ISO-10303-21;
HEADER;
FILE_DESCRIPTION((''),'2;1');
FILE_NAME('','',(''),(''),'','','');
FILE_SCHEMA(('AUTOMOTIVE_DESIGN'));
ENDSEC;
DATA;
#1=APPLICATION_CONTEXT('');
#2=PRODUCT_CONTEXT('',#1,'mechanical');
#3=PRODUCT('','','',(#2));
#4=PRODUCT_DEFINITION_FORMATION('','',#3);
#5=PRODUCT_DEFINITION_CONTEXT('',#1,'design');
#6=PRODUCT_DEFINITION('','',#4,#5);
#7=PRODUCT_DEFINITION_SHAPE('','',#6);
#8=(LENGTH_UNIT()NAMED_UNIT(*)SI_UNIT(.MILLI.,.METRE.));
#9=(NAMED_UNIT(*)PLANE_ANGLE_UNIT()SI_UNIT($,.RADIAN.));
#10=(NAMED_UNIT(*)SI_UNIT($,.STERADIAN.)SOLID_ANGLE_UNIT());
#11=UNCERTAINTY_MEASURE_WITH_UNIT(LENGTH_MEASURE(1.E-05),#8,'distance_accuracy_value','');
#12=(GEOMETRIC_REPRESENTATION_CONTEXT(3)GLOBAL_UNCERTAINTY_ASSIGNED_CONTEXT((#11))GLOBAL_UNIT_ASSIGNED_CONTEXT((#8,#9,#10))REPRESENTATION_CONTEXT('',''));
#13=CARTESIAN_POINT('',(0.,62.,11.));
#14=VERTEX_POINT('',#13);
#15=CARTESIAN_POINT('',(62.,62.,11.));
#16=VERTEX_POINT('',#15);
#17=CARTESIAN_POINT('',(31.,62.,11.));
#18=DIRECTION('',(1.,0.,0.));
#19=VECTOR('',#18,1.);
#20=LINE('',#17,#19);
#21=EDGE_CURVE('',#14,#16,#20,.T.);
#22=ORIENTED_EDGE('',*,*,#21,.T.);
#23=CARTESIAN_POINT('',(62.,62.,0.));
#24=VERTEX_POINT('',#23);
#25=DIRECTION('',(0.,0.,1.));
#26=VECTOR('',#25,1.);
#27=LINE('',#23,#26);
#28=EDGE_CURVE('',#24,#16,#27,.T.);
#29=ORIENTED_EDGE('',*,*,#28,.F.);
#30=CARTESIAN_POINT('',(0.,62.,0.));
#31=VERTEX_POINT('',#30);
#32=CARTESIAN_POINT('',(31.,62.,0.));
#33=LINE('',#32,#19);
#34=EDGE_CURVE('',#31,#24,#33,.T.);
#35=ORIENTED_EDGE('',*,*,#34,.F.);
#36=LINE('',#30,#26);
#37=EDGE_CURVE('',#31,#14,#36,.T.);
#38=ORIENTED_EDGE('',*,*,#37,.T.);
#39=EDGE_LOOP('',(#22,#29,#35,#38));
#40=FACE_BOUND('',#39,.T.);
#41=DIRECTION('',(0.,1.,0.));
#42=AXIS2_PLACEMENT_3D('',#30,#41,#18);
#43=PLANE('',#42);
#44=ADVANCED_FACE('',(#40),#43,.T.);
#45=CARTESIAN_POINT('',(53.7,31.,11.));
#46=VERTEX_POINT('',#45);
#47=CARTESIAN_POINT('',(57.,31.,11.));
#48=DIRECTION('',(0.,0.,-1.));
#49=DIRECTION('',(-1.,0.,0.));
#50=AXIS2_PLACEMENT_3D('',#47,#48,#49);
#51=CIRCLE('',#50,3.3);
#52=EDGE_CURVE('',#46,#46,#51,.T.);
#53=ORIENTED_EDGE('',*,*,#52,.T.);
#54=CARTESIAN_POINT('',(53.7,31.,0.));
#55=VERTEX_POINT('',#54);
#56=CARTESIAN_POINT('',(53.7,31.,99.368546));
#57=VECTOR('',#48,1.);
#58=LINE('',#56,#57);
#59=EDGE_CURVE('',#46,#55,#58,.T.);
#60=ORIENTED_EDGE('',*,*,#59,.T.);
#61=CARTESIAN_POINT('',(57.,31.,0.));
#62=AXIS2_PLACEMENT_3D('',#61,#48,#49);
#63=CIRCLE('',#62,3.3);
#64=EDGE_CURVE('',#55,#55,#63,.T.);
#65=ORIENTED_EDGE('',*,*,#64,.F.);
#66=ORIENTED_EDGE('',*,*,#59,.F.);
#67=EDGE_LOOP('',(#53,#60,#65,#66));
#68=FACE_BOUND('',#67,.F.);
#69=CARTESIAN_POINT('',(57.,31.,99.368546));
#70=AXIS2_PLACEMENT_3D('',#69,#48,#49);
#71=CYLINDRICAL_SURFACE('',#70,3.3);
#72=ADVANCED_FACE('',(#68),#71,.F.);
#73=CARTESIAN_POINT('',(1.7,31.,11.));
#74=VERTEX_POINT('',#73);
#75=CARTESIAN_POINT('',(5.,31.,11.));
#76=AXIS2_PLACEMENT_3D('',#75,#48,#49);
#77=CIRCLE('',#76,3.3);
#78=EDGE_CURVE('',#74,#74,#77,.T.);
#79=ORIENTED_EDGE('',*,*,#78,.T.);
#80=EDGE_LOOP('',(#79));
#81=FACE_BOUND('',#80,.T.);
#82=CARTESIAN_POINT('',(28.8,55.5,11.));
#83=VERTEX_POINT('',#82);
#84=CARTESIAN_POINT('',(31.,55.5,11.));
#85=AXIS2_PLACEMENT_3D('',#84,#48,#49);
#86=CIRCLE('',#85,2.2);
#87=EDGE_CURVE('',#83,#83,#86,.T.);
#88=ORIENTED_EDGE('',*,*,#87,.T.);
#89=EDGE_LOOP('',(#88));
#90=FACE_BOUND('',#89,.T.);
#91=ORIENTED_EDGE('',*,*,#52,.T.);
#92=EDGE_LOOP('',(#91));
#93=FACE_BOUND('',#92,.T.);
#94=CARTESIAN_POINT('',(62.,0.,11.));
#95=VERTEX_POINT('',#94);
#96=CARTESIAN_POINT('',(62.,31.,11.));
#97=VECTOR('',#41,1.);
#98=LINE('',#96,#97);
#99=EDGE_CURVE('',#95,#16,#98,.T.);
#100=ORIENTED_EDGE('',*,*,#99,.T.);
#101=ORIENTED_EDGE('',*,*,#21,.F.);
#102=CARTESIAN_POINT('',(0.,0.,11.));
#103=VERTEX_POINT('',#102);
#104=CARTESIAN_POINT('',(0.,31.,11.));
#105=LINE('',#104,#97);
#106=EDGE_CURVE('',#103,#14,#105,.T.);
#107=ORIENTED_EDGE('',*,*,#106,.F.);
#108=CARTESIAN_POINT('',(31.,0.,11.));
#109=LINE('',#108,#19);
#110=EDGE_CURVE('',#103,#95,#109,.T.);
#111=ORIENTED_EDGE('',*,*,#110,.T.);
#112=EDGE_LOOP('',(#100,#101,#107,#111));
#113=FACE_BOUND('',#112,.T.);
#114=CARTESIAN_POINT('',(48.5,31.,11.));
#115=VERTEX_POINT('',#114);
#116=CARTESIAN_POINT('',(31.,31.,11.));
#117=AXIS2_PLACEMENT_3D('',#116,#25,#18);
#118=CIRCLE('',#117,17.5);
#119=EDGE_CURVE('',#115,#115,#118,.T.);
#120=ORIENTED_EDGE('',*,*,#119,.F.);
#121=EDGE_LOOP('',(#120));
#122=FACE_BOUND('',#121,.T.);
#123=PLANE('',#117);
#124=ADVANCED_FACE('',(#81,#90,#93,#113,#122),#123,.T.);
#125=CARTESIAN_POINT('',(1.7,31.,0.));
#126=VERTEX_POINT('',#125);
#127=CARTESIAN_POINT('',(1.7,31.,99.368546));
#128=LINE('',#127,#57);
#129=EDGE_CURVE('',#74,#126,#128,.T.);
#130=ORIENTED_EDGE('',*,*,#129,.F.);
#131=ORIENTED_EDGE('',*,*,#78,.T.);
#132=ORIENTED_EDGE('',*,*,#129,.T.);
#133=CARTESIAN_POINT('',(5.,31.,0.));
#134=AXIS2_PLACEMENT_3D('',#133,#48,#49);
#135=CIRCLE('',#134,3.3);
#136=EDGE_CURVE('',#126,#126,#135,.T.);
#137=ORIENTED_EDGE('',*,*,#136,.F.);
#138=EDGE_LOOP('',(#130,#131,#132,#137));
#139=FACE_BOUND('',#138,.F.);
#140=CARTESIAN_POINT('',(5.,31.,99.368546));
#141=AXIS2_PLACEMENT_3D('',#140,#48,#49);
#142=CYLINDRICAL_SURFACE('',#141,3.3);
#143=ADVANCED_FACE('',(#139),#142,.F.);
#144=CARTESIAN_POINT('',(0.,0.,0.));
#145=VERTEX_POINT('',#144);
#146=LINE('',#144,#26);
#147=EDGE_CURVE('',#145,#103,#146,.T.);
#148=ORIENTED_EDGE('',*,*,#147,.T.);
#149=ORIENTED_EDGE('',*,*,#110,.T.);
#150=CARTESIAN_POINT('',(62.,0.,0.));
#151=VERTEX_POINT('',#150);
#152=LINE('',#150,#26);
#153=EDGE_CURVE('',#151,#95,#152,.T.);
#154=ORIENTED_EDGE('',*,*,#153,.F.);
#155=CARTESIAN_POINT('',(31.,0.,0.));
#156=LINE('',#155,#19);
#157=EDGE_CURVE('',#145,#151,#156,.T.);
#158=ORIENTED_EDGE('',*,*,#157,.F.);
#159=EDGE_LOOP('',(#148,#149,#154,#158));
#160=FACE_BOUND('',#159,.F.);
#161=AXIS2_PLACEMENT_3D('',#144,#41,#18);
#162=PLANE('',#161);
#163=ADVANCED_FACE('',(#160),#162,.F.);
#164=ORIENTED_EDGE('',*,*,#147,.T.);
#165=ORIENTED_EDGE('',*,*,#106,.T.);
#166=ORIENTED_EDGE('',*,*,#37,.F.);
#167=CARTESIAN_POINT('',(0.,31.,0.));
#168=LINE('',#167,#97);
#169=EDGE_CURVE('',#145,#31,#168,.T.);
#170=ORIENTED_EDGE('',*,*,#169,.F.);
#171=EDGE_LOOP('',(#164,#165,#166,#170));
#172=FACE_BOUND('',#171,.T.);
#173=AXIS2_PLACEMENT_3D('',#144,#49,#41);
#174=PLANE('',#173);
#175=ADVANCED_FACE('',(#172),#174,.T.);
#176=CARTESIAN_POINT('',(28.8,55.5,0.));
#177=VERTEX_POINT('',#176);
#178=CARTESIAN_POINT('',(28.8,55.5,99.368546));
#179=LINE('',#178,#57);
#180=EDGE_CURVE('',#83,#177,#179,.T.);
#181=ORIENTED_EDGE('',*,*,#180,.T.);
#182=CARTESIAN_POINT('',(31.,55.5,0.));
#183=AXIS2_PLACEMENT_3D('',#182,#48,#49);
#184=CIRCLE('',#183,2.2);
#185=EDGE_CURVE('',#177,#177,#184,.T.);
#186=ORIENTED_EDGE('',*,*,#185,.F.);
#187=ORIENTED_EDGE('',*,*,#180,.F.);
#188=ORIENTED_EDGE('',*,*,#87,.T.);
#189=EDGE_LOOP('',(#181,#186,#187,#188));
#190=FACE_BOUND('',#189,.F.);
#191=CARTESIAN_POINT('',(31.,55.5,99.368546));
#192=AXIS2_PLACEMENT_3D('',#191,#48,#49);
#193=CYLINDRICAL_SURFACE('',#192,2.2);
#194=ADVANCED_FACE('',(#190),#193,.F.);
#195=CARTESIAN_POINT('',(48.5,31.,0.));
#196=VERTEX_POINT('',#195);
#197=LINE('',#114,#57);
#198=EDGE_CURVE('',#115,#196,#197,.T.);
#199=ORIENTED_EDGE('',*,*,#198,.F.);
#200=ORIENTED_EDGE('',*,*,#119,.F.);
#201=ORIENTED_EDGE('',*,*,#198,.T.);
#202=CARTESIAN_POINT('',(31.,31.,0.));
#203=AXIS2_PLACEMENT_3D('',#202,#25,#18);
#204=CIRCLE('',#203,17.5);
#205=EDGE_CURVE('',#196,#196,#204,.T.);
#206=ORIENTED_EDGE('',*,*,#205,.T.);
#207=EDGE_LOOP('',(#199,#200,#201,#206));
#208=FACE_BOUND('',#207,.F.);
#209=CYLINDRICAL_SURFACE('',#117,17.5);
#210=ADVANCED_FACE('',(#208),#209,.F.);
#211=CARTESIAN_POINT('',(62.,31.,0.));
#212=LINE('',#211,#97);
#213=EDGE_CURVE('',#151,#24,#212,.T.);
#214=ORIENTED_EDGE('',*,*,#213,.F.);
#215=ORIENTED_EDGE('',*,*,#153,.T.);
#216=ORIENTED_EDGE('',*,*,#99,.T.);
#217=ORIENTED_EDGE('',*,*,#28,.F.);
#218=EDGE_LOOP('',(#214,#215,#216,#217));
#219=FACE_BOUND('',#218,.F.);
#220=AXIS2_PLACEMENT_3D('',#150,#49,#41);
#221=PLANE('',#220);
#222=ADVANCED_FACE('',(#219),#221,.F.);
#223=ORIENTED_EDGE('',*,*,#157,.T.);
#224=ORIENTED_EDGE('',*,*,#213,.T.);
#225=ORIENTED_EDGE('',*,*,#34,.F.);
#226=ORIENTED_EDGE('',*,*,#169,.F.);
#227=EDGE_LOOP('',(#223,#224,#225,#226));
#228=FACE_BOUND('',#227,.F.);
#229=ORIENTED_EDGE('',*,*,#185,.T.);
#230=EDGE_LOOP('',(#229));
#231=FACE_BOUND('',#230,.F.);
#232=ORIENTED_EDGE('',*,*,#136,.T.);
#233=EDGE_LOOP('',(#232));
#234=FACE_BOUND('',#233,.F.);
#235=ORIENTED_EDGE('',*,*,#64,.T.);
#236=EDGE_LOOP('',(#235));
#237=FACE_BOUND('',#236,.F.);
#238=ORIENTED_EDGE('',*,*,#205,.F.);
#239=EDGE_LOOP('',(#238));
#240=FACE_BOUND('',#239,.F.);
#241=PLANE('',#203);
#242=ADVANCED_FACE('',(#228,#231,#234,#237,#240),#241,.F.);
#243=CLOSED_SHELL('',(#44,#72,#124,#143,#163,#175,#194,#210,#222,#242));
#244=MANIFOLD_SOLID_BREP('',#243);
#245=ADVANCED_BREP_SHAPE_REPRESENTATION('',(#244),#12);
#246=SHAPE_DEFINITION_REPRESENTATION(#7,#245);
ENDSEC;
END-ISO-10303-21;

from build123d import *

# Parameters (mm, degrees)
F0_W     = 62
F0_H     = 62
F1_DEPTH = 11
F3_D     = 6.6
F5_D     = 4.4
F6_R     = 17.5
F7_DEPTH = 11.001


with BuildPart() as f1:
    # F0 (on Top) → F1 (new body)
    with BuildSketch(Plane.XY):
        with Locations((31, 31)):
            Rectangle(F0_W, F0_H)
    extrude(amount=F1_DEPTH)

    # F3 (through all)
    with Locations(Plane.XY.offset(11)):
        with Locations((5, 31), (57, 31)):
            Hole(F3_D / 2)

    # F5 (through all)
    with Locations(Plane.XY.offset(11)):
        with Locations((31, 55.5)):
            Hole(F5_D / 2)

    # F6 (on face) → F7 (cut, through all)
    with BuildSketch(Plane.XY.offset(11)):
        with Locations((31, 31)):
            Circle(F6_R)
    extrude(amount=-F7_DEPTH, mode=Mode.SUBTRACT)


solid = f1.part
